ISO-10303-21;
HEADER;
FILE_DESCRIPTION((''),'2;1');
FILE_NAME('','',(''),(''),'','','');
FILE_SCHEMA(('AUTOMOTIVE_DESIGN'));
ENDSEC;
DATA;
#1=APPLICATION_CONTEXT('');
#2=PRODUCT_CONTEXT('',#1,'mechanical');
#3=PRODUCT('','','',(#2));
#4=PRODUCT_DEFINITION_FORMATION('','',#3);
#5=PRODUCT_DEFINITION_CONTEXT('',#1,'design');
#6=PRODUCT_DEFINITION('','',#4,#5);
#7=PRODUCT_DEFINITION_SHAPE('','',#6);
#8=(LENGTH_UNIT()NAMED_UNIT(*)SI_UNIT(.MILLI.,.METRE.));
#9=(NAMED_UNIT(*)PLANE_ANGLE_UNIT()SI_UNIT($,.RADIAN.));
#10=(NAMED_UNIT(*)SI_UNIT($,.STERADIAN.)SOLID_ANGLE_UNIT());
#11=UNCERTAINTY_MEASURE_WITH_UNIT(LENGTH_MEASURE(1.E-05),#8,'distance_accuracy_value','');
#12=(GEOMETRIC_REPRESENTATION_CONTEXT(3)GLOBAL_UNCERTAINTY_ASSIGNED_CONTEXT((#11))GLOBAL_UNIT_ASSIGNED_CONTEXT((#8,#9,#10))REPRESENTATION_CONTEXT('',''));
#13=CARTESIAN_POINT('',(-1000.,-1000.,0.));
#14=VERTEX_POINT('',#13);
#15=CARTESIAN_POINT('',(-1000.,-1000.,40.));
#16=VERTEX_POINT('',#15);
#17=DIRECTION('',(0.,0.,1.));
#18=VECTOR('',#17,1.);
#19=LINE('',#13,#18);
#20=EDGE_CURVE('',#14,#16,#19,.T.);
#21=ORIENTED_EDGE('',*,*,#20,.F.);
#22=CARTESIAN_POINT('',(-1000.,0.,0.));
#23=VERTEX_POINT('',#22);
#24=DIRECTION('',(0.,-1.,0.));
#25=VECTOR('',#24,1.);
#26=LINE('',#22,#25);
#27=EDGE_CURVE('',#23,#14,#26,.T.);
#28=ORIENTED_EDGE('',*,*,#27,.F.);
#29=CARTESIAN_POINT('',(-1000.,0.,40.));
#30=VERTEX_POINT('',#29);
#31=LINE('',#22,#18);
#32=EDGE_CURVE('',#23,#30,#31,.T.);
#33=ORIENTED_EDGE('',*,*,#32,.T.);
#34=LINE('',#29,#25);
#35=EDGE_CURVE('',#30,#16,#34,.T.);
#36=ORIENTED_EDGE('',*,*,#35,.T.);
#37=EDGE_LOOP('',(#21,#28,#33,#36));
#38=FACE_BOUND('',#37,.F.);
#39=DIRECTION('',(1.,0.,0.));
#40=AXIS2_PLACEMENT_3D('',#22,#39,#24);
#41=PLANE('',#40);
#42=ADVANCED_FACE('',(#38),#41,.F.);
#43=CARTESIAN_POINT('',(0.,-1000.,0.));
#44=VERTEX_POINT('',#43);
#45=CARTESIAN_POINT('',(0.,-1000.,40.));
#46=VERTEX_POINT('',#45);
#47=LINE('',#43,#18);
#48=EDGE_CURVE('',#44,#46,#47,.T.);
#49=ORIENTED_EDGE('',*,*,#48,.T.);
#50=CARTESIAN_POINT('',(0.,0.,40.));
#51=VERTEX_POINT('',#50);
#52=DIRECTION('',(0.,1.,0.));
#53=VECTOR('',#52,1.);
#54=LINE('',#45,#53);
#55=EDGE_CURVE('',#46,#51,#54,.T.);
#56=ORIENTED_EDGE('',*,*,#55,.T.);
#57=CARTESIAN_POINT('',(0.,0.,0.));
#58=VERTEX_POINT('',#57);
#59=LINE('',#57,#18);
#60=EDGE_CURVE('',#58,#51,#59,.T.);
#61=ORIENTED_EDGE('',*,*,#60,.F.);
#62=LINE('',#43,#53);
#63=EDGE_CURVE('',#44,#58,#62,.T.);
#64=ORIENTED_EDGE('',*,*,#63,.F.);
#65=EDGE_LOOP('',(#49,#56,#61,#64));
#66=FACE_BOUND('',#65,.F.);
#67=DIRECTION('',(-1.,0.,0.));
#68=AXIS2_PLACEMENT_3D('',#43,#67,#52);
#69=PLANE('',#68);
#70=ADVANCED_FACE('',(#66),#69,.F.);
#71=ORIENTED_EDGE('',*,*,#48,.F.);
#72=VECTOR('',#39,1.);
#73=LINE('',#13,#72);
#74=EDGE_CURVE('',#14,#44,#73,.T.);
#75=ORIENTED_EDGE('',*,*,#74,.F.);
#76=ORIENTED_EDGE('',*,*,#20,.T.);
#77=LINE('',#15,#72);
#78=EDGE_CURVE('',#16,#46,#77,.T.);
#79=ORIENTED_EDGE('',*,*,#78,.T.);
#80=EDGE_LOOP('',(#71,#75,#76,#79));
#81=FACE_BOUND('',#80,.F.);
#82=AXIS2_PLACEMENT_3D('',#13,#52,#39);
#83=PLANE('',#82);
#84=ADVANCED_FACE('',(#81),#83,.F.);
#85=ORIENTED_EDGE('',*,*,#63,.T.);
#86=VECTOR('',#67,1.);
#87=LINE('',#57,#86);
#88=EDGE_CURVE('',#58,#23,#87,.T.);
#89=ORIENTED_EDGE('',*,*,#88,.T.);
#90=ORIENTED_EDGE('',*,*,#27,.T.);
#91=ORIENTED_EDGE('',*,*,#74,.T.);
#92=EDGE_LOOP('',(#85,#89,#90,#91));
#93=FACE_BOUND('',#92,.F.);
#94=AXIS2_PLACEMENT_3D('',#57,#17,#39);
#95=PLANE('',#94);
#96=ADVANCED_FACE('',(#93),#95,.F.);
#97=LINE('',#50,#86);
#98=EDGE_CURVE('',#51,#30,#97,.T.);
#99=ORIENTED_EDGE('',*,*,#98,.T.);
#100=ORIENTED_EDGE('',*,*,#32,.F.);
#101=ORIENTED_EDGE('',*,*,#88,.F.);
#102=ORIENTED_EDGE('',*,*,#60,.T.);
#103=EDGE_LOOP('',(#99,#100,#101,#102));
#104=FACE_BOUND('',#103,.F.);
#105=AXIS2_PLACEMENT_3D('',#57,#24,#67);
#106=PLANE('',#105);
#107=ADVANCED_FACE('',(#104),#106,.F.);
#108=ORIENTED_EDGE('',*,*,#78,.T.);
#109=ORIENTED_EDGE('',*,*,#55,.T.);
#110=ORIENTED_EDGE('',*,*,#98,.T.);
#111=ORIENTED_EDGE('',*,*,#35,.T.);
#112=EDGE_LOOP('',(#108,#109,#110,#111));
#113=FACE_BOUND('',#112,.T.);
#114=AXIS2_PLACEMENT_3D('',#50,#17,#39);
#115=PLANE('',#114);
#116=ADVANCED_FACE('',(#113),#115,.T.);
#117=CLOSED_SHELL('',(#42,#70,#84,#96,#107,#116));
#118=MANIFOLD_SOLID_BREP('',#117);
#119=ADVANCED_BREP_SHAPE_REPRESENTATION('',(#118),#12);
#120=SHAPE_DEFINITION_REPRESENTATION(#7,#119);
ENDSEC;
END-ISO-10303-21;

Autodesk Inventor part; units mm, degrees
ref_plane "YZ Plane" through (0, 0, 0) normal (1, 0, 0) x (0, 1, 0)
ref_plane "XZ Plane" through (0, 0, 0) normal (0, 1, 0) x (-1, 0, 0)
ref_plane "XY Plane" through (0, 0, 0) normal (0, 0, 1) x (1, 0, 0)
sketch "Sketch1" plane through (0, 0, 0) normal (0, 0, 1) x (1, 0, 0)
  line L0 (0, 0) -> (-1000, 0)
  line L1 (-1000, 0) -> (-1000, -1000)
  line L2 (-1000, -1000) -> (0, -1000)
  line L3 (0, -1000) -> (0, 0)
  dimension "d0" = 1000
  dimension "d1" = 1000
extrude "Extrusion1" add sketch "Sketch1" along normal blind 40
properties part number "Table" material "Wood (Birch)"
